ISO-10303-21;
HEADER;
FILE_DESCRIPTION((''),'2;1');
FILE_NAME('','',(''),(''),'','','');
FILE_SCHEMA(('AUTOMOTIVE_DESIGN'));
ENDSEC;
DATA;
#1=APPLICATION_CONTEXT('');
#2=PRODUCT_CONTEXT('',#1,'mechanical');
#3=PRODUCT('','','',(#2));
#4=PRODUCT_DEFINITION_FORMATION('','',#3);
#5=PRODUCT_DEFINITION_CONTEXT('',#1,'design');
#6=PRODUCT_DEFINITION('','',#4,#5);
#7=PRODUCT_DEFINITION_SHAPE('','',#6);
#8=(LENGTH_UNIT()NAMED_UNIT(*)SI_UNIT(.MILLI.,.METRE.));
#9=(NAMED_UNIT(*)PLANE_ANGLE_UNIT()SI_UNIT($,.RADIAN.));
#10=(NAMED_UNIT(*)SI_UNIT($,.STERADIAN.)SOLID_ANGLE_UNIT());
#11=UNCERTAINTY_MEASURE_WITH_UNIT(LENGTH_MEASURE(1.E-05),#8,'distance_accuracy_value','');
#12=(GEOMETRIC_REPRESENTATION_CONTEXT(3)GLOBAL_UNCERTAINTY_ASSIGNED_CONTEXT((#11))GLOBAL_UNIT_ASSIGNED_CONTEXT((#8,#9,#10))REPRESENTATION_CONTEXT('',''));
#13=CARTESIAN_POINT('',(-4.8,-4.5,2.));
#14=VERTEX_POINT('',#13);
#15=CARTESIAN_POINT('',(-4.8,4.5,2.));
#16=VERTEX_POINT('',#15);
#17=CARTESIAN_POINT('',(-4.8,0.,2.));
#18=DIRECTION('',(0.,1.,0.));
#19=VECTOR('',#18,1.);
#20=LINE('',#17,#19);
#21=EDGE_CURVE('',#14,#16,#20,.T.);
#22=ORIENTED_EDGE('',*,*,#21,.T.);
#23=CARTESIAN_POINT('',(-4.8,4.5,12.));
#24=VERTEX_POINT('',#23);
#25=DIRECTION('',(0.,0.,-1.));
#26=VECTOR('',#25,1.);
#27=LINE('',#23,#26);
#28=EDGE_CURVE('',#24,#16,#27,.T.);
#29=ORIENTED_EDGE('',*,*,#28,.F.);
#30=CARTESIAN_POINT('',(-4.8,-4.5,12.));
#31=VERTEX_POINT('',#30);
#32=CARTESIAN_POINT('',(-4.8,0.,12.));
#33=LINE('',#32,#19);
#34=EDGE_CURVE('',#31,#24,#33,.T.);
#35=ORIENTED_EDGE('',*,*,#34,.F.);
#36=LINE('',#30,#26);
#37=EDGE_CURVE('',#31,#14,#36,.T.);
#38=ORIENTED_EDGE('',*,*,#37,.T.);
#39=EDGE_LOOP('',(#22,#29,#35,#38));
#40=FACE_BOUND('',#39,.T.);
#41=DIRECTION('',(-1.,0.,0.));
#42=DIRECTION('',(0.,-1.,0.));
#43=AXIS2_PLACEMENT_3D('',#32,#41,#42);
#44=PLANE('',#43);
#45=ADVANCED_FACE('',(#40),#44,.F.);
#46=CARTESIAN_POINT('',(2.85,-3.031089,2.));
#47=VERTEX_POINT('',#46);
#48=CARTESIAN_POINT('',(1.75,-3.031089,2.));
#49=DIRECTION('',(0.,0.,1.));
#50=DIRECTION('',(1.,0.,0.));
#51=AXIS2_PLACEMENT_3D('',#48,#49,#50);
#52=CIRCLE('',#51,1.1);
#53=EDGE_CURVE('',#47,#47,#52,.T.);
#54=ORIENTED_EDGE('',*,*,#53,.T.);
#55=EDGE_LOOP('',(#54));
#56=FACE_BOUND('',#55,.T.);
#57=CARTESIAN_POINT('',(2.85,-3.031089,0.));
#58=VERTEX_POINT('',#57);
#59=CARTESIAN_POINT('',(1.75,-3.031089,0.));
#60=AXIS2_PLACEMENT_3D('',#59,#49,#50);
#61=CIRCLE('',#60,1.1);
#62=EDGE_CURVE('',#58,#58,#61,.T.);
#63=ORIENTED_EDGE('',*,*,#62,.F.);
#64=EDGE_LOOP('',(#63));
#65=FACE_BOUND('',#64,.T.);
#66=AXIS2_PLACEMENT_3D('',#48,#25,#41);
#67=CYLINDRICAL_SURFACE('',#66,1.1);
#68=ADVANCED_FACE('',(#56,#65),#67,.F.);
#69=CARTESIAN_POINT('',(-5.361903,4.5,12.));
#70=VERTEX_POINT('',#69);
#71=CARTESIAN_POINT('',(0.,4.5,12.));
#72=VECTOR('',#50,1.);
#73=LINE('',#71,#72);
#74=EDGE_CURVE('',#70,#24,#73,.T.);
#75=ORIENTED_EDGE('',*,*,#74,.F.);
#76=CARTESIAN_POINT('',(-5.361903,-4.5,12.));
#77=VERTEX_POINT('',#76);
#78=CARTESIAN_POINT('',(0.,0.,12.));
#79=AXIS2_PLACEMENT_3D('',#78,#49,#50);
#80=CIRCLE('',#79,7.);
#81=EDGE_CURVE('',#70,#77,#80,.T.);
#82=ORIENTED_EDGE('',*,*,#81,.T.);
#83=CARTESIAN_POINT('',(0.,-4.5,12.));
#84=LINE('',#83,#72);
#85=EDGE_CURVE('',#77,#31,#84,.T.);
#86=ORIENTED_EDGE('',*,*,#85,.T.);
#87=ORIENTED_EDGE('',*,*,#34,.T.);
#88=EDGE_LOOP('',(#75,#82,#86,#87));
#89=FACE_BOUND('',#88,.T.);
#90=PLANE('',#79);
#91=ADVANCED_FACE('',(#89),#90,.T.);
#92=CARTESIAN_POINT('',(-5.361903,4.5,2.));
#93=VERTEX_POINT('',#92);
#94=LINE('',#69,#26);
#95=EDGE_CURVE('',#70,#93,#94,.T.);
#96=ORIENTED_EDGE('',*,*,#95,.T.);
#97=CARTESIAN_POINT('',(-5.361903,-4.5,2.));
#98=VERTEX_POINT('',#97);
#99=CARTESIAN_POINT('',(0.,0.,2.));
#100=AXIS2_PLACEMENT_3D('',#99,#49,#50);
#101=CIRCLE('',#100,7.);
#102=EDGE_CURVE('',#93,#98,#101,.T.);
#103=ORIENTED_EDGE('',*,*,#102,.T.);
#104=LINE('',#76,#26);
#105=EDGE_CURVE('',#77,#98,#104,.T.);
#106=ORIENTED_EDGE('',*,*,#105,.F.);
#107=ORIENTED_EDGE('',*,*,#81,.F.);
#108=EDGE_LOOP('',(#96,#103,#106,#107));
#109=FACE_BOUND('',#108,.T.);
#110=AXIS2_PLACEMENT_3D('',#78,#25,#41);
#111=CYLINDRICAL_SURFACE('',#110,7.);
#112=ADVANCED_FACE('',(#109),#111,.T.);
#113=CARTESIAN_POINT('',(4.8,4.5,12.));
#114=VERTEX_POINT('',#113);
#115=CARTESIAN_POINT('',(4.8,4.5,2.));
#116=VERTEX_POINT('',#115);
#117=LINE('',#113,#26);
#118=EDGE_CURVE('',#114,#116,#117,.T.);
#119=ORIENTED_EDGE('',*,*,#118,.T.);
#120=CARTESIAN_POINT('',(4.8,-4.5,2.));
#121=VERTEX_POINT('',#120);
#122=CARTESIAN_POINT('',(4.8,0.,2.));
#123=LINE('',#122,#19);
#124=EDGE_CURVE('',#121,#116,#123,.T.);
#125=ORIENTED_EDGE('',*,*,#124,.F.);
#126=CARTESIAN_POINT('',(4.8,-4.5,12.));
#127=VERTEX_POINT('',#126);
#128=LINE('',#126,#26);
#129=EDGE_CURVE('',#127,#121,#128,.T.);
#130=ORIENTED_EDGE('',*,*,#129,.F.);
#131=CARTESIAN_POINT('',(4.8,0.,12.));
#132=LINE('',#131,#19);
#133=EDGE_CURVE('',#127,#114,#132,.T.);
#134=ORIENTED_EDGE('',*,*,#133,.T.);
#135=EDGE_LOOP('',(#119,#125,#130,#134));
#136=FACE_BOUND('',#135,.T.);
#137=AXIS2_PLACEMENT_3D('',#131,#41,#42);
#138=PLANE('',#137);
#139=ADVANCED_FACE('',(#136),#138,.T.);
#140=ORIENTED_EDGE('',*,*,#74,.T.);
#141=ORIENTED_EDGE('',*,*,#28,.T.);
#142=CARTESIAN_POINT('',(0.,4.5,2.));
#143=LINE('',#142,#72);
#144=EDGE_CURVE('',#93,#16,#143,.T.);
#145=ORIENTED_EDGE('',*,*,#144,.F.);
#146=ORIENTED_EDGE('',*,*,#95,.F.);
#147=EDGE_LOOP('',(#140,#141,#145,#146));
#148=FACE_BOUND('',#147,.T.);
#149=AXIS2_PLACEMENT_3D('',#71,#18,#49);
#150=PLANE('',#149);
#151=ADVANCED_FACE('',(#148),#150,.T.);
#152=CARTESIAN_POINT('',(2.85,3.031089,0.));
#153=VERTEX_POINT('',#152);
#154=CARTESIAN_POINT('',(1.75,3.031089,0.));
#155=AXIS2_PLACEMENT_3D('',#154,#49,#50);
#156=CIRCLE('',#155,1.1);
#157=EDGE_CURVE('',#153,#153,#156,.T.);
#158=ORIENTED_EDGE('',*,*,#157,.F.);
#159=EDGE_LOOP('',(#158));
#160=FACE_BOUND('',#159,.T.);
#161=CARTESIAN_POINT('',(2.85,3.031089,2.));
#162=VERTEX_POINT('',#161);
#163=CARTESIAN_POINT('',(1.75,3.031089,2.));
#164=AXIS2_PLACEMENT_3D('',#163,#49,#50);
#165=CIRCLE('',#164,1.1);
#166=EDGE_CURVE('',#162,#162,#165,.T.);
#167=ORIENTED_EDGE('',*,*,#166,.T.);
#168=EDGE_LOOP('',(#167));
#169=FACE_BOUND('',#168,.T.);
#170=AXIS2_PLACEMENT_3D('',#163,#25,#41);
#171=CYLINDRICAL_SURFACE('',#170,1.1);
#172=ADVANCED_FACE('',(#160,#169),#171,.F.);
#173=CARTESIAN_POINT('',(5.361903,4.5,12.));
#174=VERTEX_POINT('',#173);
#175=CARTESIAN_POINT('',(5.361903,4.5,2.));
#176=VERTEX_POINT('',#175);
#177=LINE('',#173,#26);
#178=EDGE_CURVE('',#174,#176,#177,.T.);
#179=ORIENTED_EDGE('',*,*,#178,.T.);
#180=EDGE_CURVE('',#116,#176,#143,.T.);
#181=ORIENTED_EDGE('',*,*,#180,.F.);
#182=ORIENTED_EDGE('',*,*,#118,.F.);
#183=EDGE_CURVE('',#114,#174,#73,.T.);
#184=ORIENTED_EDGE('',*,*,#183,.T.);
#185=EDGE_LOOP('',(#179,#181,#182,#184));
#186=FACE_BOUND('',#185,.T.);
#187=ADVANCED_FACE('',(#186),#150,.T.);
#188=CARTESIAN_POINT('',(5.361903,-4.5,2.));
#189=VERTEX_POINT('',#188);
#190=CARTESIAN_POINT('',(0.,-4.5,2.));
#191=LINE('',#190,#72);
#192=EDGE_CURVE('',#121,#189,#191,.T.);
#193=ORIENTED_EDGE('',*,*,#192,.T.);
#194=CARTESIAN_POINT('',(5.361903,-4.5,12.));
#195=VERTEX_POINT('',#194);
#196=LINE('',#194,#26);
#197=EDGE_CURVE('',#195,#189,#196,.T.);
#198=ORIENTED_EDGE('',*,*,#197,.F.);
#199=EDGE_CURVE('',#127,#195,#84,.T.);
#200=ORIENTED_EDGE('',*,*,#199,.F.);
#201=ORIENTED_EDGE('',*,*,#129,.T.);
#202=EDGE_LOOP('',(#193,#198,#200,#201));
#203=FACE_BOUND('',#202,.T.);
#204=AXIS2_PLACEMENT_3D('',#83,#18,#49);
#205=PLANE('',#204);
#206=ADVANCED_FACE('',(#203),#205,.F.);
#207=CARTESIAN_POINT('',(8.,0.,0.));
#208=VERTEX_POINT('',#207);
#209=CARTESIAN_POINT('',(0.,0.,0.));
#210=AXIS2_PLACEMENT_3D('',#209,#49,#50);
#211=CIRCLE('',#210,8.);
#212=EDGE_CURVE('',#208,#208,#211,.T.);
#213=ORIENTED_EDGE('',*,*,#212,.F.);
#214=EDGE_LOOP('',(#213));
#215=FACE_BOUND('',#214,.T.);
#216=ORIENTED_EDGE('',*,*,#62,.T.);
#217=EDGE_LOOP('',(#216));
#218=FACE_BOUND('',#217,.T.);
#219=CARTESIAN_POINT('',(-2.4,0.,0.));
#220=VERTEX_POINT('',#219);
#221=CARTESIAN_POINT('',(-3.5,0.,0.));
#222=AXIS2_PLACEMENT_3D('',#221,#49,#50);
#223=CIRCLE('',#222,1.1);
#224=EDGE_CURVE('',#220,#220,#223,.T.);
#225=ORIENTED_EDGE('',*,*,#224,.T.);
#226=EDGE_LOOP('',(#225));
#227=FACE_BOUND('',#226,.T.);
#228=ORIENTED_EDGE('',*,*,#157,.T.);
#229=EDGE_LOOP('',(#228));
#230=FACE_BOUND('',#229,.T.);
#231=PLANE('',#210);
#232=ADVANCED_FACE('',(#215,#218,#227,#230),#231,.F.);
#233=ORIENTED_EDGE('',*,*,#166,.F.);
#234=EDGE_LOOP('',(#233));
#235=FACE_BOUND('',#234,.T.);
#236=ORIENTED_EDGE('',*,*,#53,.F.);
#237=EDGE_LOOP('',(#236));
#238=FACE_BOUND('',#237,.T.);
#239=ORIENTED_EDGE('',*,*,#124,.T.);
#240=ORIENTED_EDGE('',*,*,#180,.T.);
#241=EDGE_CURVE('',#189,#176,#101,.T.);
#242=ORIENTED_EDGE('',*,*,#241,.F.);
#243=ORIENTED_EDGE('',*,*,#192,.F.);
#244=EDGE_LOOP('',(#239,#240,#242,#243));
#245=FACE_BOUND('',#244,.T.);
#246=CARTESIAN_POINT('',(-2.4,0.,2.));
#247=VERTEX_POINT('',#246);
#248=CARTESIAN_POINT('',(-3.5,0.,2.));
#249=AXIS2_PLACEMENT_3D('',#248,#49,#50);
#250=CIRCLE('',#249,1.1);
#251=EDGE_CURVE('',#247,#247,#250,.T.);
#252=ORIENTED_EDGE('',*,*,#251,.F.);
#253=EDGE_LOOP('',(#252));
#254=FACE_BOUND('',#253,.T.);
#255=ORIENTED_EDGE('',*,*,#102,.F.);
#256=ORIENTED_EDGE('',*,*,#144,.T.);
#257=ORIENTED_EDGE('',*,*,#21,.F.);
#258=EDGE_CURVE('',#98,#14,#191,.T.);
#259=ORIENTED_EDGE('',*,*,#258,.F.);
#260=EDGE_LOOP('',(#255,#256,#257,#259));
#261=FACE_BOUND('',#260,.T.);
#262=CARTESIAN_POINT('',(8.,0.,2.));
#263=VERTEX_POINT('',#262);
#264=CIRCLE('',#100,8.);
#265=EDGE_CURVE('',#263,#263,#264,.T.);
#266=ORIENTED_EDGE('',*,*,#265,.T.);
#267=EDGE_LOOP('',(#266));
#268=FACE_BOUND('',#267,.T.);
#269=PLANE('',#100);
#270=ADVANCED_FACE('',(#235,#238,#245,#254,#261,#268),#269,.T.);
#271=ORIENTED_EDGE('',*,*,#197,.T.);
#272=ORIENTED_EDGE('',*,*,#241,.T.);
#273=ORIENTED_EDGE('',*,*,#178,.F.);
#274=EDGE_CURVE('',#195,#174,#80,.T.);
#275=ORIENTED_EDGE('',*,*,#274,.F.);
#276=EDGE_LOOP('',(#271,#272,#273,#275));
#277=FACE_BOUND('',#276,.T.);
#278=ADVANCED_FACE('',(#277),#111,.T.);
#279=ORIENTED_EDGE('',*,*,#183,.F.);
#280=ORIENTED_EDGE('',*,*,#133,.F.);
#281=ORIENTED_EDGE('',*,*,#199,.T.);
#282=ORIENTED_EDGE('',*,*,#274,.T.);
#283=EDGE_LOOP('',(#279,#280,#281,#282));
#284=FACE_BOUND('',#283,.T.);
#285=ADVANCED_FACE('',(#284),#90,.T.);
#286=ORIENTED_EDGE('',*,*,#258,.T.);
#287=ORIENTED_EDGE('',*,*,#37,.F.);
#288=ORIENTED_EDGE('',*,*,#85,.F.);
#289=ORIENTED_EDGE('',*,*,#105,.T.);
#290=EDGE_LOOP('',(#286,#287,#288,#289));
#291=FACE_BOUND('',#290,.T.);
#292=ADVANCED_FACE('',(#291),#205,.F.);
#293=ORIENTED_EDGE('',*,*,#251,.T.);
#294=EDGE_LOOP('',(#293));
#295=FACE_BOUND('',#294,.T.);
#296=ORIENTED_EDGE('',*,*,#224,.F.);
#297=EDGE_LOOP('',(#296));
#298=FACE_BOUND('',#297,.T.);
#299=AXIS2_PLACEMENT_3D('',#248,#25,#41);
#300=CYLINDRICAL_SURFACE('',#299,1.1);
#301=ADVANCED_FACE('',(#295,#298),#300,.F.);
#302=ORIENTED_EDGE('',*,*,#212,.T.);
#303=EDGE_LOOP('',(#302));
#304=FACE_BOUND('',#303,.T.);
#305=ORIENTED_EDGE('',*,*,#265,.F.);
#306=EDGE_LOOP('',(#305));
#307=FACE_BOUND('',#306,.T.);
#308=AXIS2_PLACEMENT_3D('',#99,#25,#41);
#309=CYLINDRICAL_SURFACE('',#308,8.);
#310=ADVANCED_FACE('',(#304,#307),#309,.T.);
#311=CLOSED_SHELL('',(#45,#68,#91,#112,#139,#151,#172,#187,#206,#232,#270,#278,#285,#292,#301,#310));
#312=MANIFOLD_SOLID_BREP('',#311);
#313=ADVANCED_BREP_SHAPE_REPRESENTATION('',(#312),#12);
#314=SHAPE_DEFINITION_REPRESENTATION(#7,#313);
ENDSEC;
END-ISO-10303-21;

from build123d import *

# Parameters (mm, degrees)
SKETCH1_R           = 8
SKETCH1_R_2         = 1.1
BOSS_EXTRUDE1_DEPTH = 2
BOSS_EXTRUDE2_DEPTH = 10


with BuildPart() as part:
    # Sketch1 → Boss-Extrude1 (new body)
    with BuildSketch(Plane.XY):
        Circle(SKETCH1_R)
        with Locations((-3.5, 0)):
            Circle(SKETCH1_R_2, mode=Mode.SUBTRACT)
        with Locations((1.75, 3.031088913)):
            Circle(SKETCH1_R_2, mode=Mode.SUBTRACT)
        with Locations((1.75, -3.031088913)):
            Circle(SKETCH1_R_2, mode=Mode.SUBTRACT)
    extrude(amount=BOSS_EXTRUDE1_DEPTH)

    # Sketch2 → Boss-Extrude2 (add)
    with BuildSketch(Plane.XY.offset(2)):
        with BuildLine():
            Line((-4.8, 4.5), (-5.361902647, 4.5))
            ThreePointArc((-5.361902647, 4.5), (-7, 0), (-5.361902647, -4.5))
            Line((-5.361902647, -4.5), (-4.8, -4.5))
            Line((-4.8, -4.5), (-4.8, 4.5))
        make_face()
        with BuildLine():
            ThreePointArc((7, 0), (6.577739678, 2.394439545), (5.361902647, 4.5))
            Line((5.361902647, 4.5), (4.8, 4.5))
            Line((4.8, 4.5), (4.8, -4.5))
            Line((4.8, -4.5), (5.361902647, -4.5))
            ThreePointArc((5.361902647, -4.5), (6.577739678, -2.394439545), (7, 0))
        make_face()
    extrude(amount=BOSS_EXTRUDE2_DEPTH)


solid = part.part
